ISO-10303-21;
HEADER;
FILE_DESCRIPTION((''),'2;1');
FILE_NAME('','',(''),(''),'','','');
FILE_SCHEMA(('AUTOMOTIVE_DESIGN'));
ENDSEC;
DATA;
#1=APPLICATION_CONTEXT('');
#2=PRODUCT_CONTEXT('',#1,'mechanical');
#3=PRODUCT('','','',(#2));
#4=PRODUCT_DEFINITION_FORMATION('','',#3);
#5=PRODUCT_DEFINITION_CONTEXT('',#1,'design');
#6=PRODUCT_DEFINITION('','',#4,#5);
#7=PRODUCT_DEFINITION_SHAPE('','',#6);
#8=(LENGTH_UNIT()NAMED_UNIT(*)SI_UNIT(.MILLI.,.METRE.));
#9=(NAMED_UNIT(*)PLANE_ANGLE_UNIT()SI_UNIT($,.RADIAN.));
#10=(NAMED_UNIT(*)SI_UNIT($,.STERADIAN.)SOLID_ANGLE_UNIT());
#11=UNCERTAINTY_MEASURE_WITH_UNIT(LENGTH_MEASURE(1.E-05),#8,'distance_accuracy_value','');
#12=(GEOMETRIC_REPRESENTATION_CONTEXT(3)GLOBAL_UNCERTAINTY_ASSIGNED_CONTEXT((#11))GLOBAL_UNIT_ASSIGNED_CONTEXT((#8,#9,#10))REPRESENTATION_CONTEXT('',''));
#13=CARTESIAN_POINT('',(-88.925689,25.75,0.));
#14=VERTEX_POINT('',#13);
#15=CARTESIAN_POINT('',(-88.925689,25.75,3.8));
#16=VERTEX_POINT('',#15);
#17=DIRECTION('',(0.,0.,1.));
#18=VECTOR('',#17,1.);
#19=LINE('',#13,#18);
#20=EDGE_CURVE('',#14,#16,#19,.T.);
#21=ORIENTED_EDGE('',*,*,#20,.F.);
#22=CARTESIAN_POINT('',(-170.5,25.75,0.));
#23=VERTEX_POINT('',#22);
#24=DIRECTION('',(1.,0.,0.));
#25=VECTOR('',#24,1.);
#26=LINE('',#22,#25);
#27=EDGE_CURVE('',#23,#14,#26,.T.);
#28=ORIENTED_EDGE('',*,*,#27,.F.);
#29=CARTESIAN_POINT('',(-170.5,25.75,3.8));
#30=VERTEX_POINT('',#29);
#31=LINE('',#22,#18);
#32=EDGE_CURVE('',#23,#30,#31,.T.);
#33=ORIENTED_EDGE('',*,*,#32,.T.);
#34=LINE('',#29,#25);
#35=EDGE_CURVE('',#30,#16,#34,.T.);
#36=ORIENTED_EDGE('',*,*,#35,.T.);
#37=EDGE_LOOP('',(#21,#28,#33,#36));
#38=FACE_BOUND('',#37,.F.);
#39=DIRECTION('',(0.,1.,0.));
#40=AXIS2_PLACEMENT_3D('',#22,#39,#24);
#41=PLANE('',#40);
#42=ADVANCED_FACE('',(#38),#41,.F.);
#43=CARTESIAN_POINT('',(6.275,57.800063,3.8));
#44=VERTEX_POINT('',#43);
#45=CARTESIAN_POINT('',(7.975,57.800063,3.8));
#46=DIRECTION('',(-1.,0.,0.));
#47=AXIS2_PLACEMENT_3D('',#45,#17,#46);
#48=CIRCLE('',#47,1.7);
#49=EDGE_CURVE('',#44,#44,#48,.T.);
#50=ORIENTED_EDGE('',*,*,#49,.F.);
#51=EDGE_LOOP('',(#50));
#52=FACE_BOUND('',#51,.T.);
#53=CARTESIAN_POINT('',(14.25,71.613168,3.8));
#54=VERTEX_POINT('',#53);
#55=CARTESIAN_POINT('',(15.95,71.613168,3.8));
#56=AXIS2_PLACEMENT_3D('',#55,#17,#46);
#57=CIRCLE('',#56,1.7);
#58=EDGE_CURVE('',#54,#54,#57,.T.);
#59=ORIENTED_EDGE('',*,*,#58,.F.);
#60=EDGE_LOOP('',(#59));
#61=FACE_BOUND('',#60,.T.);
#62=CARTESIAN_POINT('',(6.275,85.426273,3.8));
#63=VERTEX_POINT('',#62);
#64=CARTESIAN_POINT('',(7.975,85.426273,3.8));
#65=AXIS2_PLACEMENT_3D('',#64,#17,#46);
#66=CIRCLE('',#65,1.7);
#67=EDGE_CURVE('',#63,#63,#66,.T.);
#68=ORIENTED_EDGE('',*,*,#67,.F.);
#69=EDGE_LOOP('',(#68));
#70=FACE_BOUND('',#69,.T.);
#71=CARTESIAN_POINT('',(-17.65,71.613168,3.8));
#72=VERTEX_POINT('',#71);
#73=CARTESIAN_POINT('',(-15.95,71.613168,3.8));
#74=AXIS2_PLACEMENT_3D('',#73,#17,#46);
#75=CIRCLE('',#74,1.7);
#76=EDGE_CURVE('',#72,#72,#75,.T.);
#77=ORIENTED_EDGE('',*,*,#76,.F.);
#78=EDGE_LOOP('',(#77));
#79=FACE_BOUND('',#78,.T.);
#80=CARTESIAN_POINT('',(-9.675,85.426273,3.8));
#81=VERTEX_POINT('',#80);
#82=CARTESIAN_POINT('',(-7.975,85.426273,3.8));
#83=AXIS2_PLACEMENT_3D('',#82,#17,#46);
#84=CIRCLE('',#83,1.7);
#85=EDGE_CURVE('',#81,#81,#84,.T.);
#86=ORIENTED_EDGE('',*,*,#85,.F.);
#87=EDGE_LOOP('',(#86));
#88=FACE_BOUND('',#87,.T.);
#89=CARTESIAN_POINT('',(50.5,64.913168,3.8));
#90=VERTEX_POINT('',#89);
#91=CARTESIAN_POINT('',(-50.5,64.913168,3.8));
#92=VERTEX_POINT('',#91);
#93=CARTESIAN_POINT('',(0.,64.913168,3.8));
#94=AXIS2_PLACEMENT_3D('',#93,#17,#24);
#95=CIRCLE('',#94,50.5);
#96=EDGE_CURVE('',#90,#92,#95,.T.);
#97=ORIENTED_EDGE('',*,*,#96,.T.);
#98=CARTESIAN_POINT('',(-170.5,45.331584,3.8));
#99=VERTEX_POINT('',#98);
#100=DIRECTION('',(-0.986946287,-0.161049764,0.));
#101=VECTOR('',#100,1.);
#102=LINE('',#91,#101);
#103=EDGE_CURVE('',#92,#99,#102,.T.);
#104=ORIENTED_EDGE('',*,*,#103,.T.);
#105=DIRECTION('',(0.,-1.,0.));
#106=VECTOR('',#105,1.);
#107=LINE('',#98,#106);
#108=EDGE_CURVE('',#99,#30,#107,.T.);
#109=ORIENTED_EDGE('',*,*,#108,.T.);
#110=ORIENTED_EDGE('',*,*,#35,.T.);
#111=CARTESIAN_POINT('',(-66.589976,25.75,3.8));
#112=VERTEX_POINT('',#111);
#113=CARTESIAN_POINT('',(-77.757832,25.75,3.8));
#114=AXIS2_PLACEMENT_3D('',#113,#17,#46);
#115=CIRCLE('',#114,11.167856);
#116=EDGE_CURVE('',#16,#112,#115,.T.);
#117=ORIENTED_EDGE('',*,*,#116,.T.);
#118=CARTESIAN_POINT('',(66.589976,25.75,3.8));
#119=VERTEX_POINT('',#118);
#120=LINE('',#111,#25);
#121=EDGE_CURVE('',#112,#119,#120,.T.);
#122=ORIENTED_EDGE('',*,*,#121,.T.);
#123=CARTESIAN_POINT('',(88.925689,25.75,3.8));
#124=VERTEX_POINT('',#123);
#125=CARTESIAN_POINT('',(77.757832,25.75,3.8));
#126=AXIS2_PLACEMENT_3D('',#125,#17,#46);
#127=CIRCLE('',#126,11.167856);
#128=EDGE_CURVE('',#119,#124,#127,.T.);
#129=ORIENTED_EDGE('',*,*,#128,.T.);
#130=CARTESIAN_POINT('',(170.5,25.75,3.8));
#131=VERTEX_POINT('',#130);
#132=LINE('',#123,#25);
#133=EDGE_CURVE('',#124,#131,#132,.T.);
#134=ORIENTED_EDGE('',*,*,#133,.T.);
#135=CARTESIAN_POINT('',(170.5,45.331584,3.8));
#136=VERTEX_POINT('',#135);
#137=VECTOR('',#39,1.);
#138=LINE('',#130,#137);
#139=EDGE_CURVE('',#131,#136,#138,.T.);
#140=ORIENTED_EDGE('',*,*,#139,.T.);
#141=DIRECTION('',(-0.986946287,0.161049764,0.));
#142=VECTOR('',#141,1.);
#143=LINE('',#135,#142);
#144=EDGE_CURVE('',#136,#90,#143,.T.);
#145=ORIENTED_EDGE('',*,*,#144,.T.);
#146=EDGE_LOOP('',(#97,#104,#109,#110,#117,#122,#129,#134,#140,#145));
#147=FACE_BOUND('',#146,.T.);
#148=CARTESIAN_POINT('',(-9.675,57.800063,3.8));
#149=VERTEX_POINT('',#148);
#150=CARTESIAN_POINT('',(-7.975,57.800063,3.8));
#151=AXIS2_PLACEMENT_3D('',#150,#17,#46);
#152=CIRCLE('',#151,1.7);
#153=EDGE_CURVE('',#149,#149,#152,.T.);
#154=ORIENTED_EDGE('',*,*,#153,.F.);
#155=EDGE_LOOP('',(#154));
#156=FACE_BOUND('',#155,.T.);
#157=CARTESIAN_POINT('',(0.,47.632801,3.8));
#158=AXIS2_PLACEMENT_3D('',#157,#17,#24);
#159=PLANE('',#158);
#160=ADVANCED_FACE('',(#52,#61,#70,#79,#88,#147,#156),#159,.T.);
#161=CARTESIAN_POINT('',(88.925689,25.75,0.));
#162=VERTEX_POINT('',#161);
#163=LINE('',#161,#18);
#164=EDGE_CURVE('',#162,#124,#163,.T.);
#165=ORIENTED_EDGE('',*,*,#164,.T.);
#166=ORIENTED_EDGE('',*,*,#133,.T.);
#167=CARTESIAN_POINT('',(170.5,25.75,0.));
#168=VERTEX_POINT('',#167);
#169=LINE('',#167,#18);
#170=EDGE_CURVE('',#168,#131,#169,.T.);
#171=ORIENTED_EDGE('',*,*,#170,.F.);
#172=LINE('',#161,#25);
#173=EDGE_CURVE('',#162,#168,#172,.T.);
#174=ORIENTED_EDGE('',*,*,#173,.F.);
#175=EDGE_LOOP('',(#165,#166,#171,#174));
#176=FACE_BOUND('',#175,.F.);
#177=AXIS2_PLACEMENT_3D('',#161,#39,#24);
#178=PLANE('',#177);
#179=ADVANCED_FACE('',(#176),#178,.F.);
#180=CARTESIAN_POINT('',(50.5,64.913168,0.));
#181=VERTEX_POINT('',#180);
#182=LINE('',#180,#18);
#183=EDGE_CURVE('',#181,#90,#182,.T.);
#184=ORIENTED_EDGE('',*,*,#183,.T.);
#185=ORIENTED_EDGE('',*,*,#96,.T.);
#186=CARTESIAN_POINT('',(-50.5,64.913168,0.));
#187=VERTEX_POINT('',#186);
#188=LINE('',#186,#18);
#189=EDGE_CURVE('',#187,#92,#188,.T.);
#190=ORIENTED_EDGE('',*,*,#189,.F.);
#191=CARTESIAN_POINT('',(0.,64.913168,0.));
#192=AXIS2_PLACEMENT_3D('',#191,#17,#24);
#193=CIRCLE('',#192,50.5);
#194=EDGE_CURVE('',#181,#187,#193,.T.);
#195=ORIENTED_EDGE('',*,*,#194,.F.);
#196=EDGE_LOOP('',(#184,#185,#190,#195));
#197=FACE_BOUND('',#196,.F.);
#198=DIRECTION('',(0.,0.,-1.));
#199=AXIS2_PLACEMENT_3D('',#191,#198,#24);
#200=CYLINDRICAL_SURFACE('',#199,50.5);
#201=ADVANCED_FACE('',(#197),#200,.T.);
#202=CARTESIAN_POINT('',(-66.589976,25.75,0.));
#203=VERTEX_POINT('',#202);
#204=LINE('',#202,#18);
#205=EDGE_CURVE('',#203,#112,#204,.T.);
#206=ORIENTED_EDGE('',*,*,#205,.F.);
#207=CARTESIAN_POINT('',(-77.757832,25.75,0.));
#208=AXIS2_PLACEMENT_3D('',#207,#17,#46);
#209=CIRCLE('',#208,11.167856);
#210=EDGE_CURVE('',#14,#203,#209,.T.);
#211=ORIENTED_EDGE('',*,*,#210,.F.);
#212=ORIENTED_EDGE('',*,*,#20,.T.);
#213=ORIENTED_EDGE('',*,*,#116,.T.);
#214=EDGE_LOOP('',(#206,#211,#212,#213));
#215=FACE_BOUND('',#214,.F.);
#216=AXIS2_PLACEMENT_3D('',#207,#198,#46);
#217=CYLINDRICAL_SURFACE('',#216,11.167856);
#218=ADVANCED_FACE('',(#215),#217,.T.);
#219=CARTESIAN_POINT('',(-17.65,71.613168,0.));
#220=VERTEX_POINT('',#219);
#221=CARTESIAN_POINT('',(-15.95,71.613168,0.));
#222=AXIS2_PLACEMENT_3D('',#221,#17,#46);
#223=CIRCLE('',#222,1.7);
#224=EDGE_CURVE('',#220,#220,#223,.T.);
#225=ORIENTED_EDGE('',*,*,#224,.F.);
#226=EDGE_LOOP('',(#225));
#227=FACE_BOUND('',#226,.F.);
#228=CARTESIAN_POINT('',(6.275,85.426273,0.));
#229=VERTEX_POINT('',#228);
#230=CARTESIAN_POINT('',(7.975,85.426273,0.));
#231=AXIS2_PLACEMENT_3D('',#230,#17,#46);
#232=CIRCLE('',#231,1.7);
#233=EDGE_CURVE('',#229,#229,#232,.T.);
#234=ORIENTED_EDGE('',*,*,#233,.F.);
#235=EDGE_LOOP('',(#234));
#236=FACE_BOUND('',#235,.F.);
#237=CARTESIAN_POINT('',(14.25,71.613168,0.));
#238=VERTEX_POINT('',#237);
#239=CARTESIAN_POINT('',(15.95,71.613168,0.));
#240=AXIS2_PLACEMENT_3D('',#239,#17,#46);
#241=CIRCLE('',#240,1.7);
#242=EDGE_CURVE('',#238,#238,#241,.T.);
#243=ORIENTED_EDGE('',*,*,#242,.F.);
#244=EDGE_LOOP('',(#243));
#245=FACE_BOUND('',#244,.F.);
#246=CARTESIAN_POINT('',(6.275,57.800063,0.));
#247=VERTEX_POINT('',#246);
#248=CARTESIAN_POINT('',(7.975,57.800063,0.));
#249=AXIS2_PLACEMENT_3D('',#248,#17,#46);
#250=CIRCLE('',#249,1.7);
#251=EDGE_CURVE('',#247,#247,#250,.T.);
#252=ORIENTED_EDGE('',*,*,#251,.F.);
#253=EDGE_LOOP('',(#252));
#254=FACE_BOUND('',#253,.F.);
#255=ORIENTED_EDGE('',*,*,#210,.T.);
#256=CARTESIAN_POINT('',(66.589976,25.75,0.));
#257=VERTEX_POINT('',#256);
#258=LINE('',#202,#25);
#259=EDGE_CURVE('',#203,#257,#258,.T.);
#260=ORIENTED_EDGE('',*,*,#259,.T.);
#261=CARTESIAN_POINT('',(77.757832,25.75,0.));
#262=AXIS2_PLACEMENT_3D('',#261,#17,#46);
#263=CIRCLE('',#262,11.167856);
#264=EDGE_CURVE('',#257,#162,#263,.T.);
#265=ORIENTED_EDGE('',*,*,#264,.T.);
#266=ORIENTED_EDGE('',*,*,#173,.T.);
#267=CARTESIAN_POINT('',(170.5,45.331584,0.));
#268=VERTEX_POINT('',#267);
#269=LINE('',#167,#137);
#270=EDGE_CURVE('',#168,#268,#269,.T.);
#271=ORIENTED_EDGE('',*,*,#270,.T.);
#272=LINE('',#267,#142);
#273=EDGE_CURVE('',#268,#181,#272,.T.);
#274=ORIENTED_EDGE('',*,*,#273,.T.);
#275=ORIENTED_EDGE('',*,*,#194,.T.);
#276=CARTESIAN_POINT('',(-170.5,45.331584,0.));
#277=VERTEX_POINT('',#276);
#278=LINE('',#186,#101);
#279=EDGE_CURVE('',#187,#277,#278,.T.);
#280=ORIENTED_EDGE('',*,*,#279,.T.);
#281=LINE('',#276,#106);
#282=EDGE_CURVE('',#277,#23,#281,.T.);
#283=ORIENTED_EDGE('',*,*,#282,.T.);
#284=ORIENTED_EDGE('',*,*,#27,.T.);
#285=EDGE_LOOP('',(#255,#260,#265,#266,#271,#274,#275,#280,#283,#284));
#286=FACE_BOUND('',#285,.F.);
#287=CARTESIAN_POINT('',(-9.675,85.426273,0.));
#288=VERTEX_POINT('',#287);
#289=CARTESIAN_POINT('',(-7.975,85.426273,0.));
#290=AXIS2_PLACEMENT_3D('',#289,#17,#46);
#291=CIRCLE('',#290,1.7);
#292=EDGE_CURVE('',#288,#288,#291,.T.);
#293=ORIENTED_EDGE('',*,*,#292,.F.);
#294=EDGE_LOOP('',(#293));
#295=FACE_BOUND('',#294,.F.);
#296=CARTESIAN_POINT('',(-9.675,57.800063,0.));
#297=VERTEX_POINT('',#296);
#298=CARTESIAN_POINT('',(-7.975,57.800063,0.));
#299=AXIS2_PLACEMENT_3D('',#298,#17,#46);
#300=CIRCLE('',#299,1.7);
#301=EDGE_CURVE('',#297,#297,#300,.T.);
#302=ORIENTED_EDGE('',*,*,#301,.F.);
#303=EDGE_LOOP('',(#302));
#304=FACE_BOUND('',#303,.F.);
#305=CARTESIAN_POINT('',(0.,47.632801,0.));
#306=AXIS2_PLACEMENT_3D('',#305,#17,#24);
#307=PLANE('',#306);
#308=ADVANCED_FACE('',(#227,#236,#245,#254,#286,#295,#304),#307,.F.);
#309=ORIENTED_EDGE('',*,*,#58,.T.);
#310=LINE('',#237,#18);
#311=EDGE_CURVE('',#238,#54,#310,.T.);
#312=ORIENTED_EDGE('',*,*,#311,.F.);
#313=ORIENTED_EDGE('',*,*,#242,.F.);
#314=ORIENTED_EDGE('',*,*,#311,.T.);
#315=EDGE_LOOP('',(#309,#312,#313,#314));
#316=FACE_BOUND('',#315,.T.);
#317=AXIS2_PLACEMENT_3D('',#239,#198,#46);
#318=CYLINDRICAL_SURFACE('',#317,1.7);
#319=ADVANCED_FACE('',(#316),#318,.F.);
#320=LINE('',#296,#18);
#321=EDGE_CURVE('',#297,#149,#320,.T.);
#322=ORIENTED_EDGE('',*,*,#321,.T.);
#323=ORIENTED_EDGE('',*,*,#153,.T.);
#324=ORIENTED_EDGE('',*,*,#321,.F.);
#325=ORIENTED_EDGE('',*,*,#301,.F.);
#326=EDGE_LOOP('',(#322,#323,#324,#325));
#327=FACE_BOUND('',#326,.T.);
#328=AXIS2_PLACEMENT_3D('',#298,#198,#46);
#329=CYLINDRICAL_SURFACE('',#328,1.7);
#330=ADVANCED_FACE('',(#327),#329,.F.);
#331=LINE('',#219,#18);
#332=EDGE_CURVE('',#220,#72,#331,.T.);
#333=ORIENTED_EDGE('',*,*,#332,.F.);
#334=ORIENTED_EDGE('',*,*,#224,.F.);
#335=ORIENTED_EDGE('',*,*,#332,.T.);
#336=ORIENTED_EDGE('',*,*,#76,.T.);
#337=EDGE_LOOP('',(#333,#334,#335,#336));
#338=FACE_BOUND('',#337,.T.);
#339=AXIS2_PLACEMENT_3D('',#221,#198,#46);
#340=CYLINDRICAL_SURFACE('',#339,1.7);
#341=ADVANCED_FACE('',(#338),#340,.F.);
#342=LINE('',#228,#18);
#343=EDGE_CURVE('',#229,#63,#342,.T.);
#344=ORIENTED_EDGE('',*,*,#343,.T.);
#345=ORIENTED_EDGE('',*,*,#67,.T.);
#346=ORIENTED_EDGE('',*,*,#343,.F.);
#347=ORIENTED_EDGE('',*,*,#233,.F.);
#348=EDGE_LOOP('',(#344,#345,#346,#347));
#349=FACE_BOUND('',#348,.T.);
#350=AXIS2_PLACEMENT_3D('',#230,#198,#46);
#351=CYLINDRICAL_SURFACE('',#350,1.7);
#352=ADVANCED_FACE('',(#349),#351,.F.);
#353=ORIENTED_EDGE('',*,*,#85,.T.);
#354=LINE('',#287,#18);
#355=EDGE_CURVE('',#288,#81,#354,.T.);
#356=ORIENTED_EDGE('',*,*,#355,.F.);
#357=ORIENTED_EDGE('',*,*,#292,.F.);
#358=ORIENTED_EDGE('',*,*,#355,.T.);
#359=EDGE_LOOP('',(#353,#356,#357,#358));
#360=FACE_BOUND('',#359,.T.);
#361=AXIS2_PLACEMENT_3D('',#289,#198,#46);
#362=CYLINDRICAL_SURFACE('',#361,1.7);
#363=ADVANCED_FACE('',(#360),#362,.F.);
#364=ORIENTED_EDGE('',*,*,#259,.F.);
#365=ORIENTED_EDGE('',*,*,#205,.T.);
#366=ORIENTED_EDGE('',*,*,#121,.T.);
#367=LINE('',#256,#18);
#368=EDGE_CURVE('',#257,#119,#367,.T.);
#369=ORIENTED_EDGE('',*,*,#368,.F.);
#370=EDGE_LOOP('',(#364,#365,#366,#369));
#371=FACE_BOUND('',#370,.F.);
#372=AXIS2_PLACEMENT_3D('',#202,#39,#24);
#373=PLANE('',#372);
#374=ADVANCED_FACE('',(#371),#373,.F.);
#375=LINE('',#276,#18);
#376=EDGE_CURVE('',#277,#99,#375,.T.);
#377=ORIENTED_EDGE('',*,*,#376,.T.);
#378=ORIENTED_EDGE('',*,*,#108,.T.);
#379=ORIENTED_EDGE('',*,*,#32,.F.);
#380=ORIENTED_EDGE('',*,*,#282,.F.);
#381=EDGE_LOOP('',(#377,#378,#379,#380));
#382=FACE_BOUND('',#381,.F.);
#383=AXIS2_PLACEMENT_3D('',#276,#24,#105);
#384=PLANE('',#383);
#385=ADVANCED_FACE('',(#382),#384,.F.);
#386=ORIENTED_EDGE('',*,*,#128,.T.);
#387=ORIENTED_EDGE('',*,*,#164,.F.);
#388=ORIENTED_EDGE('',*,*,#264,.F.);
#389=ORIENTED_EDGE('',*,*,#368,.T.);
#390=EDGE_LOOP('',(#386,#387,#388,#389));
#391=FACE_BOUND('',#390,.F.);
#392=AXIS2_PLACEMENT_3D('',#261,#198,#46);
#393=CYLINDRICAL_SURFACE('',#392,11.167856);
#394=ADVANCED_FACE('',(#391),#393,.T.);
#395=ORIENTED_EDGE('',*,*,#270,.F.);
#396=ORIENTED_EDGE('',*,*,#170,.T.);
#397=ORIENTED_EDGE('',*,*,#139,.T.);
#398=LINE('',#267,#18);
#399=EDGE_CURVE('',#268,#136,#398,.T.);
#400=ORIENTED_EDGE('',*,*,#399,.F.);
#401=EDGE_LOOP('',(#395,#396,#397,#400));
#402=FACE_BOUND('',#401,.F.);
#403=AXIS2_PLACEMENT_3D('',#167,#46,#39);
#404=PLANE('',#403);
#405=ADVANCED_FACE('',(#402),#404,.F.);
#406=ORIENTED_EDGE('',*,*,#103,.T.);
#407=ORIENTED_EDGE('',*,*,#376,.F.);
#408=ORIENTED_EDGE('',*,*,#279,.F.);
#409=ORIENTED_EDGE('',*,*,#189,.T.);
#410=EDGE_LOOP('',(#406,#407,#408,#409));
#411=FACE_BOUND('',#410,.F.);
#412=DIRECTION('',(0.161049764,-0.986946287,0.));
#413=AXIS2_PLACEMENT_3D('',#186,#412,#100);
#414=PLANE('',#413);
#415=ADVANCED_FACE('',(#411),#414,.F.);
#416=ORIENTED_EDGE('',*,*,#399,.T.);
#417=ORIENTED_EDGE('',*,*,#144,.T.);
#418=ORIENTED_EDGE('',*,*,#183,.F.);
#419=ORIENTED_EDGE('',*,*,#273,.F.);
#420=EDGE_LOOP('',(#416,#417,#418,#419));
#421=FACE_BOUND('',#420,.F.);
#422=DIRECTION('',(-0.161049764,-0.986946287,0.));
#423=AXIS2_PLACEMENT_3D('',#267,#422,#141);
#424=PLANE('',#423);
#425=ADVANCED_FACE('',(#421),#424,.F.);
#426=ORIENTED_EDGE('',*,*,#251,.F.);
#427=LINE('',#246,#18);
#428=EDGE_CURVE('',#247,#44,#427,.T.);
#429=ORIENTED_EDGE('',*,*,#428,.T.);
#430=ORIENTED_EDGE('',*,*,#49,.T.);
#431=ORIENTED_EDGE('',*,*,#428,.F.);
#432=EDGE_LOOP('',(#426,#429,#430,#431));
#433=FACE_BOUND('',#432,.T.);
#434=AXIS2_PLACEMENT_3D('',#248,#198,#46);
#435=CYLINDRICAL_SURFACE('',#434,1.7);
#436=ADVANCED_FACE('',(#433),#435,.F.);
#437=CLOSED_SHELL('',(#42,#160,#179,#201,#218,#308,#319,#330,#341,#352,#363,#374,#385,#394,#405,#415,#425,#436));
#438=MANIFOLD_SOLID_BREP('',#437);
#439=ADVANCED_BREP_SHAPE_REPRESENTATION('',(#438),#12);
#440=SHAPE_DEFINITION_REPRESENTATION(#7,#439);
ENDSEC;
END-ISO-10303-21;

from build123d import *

# Parameters (mm, degrees)
SKETCH1_R           = 1.7
BOSS_EXTRUDE1_DEPTH = 3.8


with BuildPart() as part:
    # Sketch1 → Boss-Extrude1 (new body)
    with BuildSketch(Plane.XY):
        with BuildLine():
            Line((-170.500000005, 25.75), (-88.925688775, 25.75))
            ThreePointArc((-88.925688775, 25.75), (-77.757832362, 14.582143587), (-66.589975949, 25.75))
            Line((-66.589975949, 25.75), (66.589975949, 25.75))
            ThreePointArc((66.589975949, 25.75), (77.757832362, 14.582143587), (88.925688775, 25.75))
            Line((88.925688775, 25.75), (170.500000005, 25.75))
            Line((170.500000005, 25.75), (170.500000005, 45.331584009))
            Line((170.500000005, 45.331584009), (50.500000005, 64.913168018))
            ThreePointArc((50.500000005, 64.913168018), (0, 115.413168023), (-50.500000005, 64.913168018))
            Line((-50.500000005, 64.913168018), (-170.500000005, 45.331584009))
            Line((-170.500000005, 45.331584009), (-170.500000005, 25.75))
        make_face()
        with Locations(Location((15.95, 71.613168018, 0), (0, 0, 180))):
            Circle(SKETCH1_R, mode=Mode.SUBTRACT)
        with Locations(Location((7.975, 57.800062828, 0), (0, 0, 180))):
            Circle(SKETCH1_R, mode=Mode.SUBTRACT)
        with Locations(Location((-7.975, 57.800062828, 0), (0, 0, 180))):
            Circle(SKETCH1_R, mode=Mode.SUBTRACT)
        with Locations(Location((-15.95, 71.613168018, 0), (0, 0, 180))):
            Circle(SKETCH1_R, mode=Mode.SUBTRACT)
        with Locations(Location((7.975, 85.426273209, 0), (0, 0, 180))):
            Circle(SKETCH1_R, mode=Mode.SUBTRACT)
        with Locations(Location((-7.975, 85.426273209, 0), (0, 0, 180))):
            Circle(SKETCH1_R, mode=Mode.SUBTRACT)
    extrude(amount=BOSS_EXTRUDE1_DEPTH)


solid = part.part
